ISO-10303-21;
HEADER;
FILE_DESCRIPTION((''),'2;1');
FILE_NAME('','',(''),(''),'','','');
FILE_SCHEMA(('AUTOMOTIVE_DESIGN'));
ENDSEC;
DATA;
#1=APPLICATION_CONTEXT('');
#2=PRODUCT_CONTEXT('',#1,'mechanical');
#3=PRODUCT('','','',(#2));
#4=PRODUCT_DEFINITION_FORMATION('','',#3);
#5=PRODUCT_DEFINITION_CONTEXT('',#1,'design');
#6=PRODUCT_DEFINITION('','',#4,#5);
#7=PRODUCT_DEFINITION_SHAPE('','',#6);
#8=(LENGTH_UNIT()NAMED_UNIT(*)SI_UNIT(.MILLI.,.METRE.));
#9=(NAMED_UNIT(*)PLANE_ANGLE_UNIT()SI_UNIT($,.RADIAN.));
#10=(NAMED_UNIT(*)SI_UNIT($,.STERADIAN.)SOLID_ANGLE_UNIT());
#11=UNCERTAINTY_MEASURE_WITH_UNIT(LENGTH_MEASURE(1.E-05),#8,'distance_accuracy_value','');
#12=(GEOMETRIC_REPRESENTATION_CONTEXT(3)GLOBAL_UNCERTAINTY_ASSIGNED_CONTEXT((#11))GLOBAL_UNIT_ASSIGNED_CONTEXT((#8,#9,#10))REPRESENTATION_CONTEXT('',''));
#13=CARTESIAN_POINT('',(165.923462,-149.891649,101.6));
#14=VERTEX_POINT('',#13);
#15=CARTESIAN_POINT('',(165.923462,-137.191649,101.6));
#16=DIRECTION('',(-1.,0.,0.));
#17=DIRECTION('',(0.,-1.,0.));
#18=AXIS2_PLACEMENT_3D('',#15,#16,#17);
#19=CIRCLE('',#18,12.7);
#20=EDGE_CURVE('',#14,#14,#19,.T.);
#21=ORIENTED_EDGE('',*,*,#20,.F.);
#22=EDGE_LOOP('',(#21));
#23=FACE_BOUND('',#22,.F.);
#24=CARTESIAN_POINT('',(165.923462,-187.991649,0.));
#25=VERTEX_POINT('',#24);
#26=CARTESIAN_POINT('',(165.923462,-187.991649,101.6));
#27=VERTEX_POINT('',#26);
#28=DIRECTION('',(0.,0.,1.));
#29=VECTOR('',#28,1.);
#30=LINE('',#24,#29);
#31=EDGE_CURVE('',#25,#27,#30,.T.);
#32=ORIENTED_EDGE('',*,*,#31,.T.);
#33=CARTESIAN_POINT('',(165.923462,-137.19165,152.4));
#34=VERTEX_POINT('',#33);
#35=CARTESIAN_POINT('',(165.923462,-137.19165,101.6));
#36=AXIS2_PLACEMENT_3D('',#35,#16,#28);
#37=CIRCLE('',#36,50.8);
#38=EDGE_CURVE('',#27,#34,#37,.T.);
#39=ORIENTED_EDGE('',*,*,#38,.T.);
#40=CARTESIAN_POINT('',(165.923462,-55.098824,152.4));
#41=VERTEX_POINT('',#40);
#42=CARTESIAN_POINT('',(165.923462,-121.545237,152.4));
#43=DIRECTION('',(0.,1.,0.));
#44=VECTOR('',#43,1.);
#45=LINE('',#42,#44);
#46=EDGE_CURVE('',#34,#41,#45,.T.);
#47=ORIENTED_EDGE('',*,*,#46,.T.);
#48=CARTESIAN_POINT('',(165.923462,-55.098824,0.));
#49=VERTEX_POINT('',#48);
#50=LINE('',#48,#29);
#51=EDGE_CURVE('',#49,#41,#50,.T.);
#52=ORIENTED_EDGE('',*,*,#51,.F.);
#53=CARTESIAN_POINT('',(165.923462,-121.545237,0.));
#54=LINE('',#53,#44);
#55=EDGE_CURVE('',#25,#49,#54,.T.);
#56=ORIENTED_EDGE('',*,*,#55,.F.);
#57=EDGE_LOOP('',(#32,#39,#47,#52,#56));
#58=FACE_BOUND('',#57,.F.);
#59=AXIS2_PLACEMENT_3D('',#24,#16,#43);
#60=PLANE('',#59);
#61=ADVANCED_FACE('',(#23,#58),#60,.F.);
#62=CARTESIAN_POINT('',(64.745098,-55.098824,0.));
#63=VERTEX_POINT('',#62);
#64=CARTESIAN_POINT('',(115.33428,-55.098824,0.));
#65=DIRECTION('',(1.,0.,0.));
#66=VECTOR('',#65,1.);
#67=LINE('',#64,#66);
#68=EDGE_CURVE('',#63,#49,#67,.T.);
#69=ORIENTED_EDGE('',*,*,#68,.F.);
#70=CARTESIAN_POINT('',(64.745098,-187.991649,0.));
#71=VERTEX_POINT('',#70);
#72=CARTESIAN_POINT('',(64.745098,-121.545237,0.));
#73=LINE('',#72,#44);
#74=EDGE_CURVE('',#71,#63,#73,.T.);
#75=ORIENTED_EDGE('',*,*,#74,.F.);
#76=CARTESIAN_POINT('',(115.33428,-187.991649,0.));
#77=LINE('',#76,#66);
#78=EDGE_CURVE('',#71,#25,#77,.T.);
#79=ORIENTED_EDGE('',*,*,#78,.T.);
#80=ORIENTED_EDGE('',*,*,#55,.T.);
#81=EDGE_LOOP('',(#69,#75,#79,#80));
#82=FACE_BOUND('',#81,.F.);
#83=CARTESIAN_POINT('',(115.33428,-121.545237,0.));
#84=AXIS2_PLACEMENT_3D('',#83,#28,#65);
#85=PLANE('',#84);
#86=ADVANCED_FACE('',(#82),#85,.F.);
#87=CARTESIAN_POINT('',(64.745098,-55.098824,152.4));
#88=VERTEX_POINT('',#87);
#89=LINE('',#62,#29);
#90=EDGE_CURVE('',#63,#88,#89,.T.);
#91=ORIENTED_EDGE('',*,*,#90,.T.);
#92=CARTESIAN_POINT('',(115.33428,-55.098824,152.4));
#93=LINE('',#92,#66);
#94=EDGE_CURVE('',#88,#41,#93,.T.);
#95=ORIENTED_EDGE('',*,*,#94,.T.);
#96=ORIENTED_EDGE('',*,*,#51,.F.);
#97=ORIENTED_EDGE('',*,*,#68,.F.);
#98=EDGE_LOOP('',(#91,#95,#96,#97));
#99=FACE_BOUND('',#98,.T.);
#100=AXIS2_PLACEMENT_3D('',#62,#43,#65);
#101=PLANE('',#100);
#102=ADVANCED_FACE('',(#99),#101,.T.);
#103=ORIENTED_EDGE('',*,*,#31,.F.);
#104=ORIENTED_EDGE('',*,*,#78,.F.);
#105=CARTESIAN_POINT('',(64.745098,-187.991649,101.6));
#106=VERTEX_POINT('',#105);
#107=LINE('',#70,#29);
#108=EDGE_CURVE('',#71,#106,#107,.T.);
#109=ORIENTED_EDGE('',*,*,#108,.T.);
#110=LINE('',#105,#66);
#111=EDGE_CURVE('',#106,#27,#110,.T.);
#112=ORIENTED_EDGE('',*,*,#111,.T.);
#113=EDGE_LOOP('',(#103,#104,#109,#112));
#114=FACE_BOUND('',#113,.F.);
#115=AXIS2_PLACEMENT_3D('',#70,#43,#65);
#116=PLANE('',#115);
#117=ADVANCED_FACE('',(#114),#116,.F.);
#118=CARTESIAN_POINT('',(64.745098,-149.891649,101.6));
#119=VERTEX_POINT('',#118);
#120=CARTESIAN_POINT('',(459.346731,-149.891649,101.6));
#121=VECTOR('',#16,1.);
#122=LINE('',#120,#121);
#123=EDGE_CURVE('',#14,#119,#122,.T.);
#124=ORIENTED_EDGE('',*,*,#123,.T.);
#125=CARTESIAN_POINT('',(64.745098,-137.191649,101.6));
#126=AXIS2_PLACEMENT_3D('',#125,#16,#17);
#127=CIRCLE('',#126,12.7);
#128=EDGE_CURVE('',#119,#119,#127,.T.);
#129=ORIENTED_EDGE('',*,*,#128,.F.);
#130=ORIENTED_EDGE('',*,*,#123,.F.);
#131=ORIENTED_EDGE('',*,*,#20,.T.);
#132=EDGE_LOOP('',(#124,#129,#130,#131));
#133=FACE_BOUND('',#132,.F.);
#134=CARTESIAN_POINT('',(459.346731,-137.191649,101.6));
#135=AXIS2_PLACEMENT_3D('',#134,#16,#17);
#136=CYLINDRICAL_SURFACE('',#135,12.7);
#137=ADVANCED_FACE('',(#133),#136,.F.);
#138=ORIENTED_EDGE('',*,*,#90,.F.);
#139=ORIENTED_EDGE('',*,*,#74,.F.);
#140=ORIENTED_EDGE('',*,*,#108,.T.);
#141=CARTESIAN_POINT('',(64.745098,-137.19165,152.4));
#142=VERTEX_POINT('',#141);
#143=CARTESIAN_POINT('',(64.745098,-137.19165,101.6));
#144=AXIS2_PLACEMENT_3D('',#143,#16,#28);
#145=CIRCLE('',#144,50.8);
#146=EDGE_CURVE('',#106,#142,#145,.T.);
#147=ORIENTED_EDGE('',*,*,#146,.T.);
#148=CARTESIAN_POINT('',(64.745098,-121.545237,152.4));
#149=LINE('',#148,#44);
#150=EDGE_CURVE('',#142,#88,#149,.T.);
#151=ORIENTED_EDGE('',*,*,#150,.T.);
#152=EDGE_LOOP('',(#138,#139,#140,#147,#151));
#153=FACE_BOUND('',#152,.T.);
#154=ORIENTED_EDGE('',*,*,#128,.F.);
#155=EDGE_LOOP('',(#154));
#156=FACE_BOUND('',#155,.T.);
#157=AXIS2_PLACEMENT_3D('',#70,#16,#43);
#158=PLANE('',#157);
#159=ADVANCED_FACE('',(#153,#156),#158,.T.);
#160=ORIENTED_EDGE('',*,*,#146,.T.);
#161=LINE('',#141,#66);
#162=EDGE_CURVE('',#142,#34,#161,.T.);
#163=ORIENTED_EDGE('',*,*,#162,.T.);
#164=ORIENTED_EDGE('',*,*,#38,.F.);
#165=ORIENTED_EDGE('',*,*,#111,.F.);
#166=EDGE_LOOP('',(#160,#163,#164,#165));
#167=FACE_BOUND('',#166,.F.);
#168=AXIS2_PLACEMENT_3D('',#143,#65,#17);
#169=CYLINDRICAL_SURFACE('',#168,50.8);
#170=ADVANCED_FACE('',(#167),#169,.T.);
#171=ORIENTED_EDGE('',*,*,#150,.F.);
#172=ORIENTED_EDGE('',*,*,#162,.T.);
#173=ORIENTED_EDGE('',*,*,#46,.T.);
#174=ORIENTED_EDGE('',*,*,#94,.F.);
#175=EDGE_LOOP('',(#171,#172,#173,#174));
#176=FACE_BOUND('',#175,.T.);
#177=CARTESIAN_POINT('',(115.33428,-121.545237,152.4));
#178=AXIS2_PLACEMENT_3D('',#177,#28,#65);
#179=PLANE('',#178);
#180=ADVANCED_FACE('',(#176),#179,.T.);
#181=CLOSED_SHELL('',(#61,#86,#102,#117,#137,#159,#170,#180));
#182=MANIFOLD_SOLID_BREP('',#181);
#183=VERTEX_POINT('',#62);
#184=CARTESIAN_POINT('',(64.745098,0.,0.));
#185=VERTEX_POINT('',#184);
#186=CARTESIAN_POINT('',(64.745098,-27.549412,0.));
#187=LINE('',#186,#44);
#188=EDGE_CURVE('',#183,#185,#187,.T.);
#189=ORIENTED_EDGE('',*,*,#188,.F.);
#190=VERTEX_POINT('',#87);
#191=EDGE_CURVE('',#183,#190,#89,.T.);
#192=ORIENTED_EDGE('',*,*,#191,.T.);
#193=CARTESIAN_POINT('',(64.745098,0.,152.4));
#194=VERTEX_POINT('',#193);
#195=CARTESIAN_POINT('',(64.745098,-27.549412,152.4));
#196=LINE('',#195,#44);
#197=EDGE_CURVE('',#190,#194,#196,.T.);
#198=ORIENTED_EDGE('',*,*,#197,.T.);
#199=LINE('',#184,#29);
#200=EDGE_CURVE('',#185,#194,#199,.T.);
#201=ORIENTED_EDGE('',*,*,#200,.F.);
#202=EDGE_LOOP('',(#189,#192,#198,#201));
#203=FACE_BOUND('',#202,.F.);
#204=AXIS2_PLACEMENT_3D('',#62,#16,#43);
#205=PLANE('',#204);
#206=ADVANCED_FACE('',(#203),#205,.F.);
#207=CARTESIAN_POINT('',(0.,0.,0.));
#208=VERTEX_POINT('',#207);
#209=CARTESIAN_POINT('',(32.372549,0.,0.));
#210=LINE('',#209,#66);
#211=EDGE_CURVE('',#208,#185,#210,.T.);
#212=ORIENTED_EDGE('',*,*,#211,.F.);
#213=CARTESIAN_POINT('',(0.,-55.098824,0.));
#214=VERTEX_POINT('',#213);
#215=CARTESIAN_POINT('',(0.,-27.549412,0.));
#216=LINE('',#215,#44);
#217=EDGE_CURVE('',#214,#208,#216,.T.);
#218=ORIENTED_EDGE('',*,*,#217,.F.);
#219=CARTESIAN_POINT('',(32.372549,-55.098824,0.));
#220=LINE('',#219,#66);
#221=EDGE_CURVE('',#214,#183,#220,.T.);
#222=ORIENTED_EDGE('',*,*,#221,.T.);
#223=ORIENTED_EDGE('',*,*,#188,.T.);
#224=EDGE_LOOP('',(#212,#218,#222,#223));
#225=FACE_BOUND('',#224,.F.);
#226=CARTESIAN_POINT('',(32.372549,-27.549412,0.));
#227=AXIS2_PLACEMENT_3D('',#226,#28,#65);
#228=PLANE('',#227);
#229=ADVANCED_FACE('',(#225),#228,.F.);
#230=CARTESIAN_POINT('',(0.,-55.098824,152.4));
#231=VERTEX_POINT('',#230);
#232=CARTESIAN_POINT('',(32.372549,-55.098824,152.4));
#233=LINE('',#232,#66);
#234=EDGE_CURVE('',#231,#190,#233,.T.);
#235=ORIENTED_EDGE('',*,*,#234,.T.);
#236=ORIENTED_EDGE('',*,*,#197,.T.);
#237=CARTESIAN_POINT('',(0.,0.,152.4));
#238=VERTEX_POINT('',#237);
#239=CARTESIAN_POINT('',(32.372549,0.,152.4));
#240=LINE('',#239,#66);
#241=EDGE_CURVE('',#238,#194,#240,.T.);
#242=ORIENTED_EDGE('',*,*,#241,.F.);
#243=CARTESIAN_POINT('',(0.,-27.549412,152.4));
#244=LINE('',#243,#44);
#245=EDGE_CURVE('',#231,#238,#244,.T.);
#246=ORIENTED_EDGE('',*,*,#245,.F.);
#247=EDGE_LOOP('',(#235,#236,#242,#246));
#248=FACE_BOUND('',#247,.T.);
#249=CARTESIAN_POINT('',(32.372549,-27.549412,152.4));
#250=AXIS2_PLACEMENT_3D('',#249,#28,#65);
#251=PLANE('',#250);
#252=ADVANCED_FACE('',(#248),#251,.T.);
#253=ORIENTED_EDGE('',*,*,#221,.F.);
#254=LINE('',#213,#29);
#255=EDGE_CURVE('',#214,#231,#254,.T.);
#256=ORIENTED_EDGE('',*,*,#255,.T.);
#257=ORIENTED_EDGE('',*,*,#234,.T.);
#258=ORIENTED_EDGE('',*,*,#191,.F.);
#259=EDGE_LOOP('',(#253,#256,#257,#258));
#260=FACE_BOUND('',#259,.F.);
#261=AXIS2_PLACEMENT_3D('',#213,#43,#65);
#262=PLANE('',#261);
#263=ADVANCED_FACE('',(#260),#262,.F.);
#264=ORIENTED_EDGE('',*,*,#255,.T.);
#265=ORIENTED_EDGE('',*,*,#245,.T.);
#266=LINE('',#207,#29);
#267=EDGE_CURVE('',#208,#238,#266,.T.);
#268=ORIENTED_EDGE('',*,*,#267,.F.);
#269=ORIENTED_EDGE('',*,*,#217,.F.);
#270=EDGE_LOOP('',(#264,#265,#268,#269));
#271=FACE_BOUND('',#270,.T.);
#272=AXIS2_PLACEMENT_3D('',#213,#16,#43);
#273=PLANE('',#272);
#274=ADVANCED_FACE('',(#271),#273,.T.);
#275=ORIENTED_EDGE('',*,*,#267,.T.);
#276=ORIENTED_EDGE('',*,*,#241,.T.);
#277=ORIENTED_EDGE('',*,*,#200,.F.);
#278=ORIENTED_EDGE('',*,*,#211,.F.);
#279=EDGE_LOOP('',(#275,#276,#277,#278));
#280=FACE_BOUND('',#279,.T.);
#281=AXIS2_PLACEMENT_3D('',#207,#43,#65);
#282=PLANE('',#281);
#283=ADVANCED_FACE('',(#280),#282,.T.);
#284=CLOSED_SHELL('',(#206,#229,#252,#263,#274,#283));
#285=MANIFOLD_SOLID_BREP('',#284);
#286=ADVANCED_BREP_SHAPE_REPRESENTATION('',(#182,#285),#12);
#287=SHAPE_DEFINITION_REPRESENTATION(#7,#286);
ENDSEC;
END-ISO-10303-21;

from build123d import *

# Parameters (mm, degrees)
F0_W     = 101.178363
F0_H     = 132.892825
F0_W_2   = 64.745098
F0_H_2   = 55.098824
F1_DEPTH = 152.4
F2_R     = 50.8
F4_D     = 25.4


with BuildPart() as f1:
    # F0 (on Top) → F1 (new body)
    with BuildSketch(Plane.XY):
        with Locations((115.33428, -121.545237)):
            Rectangle(F0_W, F0_H)
        with Locations((32.372549, -27.549412)):
            Rectangle(F0_W_2, F0_H_2)
    extrude(amount=F1_DEPTH)

    # F2
    f2_edges = [f1.edges().sort_by_distance(p)[0] for p in [
        (115.33428, -187.991649, 152.4),
    ]]
    fillet(f2_edges, radius=F2_R)

    # F4 (through all)
    with Locations(Plane.YZ.offset(165.923461)):
        with Locations((-137.191649, 101.6)):
            Hole(F4_D / 2)


solid = f1.part
